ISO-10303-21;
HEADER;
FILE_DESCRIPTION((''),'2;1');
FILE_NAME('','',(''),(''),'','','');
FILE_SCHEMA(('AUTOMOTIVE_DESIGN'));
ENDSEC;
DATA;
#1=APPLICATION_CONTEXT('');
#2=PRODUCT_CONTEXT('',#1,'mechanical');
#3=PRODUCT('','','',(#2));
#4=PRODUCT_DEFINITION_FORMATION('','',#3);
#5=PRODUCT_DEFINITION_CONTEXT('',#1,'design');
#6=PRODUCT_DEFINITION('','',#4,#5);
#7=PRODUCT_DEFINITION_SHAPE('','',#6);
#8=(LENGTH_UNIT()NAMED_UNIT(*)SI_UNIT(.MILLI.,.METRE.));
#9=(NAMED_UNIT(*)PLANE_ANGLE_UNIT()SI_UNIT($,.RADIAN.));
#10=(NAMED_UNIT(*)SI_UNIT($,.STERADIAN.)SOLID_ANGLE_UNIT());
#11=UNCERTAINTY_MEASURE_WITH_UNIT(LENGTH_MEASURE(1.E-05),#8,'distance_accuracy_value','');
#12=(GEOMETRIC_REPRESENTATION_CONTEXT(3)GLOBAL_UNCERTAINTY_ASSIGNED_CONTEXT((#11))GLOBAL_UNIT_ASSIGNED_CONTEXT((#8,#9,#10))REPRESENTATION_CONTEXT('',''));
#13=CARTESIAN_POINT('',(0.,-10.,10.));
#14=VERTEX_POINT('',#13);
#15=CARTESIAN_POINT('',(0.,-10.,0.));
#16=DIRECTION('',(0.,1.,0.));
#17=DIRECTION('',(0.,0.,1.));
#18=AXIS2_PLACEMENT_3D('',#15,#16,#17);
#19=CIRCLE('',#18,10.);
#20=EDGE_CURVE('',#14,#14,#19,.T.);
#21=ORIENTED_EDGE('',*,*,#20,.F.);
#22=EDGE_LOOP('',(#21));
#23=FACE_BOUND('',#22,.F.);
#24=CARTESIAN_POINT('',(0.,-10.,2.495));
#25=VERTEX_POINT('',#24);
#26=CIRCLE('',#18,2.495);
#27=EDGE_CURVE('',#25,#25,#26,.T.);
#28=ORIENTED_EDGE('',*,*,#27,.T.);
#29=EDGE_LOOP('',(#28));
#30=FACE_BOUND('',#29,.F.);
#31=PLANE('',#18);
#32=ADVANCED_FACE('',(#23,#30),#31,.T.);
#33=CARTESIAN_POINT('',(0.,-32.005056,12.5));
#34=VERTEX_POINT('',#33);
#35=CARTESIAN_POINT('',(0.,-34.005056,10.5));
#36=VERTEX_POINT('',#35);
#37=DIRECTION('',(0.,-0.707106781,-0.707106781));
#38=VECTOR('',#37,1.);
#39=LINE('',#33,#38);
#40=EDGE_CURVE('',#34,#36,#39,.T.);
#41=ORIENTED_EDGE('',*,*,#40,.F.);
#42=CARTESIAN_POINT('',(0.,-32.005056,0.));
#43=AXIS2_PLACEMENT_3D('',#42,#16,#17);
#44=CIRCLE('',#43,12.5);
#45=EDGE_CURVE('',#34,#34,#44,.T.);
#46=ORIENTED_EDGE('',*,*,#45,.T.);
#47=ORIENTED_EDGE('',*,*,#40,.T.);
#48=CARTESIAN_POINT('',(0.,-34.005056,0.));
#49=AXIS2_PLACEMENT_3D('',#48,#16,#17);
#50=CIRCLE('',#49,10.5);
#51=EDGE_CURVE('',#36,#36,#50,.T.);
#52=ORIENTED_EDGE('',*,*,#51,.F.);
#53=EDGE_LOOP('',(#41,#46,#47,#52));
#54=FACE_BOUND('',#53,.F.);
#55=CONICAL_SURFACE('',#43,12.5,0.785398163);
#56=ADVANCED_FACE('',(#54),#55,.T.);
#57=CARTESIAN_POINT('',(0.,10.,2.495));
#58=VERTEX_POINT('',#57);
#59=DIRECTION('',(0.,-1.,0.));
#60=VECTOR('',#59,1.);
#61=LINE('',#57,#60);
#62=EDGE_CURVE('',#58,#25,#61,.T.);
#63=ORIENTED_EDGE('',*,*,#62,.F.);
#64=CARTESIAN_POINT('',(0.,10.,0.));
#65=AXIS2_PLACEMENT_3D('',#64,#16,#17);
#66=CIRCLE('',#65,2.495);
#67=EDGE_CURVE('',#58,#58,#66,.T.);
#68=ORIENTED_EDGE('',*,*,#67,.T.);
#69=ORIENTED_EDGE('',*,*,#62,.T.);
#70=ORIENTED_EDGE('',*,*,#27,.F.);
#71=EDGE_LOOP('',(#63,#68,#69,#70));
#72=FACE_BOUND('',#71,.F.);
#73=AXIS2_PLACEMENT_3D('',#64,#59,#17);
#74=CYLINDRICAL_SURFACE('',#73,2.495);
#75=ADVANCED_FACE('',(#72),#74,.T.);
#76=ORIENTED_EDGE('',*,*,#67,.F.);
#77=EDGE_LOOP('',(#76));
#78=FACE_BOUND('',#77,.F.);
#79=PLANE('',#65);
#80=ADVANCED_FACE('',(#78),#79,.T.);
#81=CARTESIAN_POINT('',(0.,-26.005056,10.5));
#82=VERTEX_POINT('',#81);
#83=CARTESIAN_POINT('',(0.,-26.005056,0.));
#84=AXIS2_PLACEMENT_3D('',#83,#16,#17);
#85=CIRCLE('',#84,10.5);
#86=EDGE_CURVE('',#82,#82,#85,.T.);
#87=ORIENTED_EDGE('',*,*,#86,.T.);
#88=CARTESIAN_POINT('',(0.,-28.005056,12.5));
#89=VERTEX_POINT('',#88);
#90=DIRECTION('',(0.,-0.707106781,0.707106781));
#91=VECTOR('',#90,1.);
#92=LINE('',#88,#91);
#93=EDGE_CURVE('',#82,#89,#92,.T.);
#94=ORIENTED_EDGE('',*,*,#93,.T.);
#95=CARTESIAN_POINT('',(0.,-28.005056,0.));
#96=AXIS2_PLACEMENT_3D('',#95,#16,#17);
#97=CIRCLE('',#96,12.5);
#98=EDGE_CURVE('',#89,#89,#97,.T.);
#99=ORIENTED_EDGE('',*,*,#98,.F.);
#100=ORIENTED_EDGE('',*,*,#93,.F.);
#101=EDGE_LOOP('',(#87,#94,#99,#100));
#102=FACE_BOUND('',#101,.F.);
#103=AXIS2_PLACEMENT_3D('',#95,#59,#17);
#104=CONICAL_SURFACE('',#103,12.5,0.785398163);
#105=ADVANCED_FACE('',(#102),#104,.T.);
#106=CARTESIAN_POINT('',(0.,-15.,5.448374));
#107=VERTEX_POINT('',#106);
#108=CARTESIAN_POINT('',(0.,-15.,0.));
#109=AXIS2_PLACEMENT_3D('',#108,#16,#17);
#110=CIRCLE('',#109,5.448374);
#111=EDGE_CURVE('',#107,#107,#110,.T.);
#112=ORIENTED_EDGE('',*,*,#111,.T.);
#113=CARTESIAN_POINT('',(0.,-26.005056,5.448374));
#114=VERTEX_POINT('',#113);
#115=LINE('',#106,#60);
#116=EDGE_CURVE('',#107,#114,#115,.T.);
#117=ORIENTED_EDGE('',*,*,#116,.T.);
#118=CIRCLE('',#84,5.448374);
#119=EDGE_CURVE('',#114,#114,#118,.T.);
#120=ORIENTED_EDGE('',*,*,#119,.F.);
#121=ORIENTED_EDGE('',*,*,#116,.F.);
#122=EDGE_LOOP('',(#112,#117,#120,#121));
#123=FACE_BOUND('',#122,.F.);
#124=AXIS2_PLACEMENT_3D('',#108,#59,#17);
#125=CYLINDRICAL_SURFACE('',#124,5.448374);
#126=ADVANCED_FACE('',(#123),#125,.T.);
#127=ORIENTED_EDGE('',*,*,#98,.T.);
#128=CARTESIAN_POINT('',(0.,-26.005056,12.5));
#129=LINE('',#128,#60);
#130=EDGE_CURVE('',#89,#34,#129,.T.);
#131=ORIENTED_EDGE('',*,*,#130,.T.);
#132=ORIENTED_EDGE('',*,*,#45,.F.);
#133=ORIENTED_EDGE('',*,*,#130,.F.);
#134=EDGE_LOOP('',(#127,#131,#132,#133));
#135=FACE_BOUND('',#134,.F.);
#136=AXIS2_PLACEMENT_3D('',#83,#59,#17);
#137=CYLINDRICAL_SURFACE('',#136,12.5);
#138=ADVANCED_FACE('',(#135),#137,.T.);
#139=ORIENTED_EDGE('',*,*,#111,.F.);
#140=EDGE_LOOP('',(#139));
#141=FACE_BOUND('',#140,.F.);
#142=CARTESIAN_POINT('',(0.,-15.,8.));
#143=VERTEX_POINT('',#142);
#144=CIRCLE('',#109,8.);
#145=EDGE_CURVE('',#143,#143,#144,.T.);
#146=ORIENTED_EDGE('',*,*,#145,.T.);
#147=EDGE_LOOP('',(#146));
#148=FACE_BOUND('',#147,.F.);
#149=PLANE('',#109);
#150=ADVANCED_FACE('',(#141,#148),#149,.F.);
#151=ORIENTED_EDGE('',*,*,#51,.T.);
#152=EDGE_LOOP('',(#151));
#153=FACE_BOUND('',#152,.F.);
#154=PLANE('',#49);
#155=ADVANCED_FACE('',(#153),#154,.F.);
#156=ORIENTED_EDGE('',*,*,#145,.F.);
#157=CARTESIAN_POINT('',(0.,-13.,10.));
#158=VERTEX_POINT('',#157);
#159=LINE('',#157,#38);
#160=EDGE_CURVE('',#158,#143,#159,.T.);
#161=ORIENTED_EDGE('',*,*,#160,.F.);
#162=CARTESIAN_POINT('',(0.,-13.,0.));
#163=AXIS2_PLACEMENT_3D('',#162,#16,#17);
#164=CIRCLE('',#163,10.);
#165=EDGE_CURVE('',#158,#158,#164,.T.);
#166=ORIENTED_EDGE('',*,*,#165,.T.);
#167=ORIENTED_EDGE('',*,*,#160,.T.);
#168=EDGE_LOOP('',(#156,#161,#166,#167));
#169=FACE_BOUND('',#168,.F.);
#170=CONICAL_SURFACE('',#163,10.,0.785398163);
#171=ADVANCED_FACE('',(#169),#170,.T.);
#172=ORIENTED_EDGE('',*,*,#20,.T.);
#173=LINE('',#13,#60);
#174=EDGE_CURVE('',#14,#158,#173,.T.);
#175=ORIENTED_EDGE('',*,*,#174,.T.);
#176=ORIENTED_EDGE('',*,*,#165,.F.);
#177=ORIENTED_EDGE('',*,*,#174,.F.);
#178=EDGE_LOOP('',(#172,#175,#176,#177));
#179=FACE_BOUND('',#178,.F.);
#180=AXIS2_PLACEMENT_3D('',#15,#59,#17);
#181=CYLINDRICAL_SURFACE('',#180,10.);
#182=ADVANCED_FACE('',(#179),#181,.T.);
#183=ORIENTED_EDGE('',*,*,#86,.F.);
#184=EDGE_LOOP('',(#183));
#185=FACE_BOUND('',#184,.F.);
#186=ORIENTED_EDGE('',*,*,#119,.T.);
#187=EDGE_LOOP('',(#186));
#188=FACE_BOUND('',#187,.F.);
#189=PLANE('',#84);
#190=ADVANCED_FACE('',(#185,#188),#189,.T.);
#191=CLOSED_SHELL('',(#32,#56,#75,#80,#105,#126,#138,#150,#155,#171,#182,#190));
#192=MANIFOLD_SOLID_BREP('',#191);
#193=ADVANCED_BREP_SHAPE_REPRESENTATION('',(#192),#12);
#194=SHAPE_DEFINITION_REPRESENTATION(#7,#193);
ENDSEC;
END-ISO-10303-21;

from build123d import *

# Parameters (mm, degrees)
F2_SIZE = 2


with BuildPart() as f1:
    # F0 (on Right) → F1 (revolve)
    with BuildSketch(Plane.YZ):
        Polygon((10, 0), (10, 2.495), (-10, 2.495), (-10, 10), (-15, 10), (-15, 5.448374), (-26.005056, 5.448374), (-26.005056, 12.5), (-34.005056, 12.5), (-34.005056, 0), align=None)
    revolve(axis=Axis((0, -12.754492, 0), (0, 1, 0)))

    # F2
    f2_edges = [f1.edges().sort_by_distance(p)[0] for p in [
        (0, -34.005056, -12.5),
        (0, -26.005056, -12.5),
        (0, -15, -10),
    ]]
    chamfer(f2_edges, length=F2_SIZE)


solid = f1.part
